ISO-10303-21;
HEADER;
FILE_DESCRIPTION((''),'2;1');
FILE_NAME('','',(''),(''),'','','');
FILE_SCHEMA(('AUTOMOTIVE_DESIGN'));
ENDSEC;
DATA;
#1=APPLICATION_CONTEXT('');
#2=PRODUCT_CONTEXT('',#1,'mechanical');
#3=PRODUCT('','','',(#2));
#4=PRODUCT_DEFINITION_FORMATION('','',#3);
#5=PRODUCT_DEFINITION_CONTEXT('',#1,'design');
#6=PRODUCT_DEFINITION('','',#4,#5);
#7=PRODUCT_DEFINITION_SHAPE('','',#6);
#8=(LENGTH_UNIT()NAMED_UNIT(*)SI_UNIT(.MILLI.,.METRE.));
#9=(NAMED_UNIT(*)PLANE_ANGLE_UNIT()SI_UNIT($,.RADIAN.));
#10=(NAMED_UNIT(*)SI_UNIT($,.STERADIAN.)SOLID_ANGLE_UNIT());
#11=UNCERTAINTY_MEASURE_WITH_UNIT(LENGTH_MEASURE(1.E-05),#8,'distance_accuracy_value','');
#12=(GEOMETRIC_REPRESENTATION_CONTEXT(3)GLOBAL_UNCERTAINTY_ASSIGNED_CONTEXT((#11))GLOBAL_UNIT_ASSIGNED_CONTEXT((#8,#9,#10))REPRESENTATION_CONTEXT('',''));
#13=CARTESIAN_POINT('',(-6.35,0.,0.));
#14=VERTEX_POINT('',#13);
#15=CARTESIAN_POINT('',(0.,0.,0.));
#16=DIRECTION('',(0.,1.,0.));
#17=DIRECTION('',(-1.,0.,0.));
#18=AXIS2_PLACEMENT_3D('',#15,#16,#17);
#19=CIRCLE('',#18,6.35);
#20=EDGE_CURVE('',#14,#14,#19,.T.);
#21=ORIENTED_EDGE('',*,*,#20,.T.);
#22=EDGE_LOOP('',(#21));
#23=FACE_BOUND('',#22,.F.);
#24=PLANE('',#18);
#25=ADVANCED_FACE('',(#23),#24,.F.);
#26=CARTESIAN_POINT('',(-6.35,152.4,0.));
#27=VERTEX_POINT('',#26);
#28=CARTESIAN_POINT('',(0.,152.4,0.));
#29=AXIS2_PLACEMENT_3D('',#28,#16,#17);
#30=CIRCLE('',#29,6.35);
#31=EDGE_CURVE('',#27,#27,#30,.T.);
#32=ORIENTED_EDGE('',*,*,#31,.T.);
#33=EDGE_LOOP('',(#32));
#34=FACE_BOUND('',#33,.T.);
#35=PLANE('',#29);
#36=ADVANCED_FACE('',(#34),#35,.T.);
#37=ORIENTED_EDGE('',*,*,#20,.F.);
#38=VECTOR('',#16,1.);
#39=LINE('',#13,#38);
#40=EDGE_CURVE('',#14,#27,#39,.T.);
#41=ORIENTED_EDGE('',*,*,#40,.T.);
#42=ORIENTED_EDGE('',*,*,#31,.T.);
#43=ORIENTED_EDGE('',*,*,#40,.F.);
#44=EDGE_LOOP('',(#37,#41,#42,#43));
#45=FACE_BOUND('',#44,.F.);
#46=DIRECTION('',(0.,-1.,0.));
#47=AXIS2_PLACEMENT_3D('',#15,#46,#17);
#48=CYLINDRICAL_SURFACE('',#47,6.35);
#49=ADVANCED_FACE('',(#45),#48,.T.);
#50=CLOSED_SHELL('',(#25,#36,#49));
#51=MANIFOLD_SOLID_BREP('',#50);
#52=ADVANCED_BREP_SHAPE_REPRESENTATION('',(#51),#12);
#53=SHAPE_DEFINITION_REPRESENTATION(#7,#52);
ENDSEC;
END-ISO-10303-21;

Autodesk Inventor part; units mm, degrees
ref_plane "YZ Plane" through (0, 0, 0) normal (1, 0, 0) x (0, 1, 0)
ref_plane "XZ Plane" through (0, 0, 0) normal (0, 1, 0) x (-1, 0, 0)
ref_plane "XY Plane" through (0, 0, 0) normal (0, 0, 1) x (1, 0, 0)
sketch "Sketch1" plane through (0, 0, 0) normal (0, 1, 0) x (-1, 0, 0)
  circle A0 centre (0, 0) radius 6.35
  dimension "d0" = 12.7
extrude "Extrusion1" add sketch "Sketch1" along normal blind 152.4
